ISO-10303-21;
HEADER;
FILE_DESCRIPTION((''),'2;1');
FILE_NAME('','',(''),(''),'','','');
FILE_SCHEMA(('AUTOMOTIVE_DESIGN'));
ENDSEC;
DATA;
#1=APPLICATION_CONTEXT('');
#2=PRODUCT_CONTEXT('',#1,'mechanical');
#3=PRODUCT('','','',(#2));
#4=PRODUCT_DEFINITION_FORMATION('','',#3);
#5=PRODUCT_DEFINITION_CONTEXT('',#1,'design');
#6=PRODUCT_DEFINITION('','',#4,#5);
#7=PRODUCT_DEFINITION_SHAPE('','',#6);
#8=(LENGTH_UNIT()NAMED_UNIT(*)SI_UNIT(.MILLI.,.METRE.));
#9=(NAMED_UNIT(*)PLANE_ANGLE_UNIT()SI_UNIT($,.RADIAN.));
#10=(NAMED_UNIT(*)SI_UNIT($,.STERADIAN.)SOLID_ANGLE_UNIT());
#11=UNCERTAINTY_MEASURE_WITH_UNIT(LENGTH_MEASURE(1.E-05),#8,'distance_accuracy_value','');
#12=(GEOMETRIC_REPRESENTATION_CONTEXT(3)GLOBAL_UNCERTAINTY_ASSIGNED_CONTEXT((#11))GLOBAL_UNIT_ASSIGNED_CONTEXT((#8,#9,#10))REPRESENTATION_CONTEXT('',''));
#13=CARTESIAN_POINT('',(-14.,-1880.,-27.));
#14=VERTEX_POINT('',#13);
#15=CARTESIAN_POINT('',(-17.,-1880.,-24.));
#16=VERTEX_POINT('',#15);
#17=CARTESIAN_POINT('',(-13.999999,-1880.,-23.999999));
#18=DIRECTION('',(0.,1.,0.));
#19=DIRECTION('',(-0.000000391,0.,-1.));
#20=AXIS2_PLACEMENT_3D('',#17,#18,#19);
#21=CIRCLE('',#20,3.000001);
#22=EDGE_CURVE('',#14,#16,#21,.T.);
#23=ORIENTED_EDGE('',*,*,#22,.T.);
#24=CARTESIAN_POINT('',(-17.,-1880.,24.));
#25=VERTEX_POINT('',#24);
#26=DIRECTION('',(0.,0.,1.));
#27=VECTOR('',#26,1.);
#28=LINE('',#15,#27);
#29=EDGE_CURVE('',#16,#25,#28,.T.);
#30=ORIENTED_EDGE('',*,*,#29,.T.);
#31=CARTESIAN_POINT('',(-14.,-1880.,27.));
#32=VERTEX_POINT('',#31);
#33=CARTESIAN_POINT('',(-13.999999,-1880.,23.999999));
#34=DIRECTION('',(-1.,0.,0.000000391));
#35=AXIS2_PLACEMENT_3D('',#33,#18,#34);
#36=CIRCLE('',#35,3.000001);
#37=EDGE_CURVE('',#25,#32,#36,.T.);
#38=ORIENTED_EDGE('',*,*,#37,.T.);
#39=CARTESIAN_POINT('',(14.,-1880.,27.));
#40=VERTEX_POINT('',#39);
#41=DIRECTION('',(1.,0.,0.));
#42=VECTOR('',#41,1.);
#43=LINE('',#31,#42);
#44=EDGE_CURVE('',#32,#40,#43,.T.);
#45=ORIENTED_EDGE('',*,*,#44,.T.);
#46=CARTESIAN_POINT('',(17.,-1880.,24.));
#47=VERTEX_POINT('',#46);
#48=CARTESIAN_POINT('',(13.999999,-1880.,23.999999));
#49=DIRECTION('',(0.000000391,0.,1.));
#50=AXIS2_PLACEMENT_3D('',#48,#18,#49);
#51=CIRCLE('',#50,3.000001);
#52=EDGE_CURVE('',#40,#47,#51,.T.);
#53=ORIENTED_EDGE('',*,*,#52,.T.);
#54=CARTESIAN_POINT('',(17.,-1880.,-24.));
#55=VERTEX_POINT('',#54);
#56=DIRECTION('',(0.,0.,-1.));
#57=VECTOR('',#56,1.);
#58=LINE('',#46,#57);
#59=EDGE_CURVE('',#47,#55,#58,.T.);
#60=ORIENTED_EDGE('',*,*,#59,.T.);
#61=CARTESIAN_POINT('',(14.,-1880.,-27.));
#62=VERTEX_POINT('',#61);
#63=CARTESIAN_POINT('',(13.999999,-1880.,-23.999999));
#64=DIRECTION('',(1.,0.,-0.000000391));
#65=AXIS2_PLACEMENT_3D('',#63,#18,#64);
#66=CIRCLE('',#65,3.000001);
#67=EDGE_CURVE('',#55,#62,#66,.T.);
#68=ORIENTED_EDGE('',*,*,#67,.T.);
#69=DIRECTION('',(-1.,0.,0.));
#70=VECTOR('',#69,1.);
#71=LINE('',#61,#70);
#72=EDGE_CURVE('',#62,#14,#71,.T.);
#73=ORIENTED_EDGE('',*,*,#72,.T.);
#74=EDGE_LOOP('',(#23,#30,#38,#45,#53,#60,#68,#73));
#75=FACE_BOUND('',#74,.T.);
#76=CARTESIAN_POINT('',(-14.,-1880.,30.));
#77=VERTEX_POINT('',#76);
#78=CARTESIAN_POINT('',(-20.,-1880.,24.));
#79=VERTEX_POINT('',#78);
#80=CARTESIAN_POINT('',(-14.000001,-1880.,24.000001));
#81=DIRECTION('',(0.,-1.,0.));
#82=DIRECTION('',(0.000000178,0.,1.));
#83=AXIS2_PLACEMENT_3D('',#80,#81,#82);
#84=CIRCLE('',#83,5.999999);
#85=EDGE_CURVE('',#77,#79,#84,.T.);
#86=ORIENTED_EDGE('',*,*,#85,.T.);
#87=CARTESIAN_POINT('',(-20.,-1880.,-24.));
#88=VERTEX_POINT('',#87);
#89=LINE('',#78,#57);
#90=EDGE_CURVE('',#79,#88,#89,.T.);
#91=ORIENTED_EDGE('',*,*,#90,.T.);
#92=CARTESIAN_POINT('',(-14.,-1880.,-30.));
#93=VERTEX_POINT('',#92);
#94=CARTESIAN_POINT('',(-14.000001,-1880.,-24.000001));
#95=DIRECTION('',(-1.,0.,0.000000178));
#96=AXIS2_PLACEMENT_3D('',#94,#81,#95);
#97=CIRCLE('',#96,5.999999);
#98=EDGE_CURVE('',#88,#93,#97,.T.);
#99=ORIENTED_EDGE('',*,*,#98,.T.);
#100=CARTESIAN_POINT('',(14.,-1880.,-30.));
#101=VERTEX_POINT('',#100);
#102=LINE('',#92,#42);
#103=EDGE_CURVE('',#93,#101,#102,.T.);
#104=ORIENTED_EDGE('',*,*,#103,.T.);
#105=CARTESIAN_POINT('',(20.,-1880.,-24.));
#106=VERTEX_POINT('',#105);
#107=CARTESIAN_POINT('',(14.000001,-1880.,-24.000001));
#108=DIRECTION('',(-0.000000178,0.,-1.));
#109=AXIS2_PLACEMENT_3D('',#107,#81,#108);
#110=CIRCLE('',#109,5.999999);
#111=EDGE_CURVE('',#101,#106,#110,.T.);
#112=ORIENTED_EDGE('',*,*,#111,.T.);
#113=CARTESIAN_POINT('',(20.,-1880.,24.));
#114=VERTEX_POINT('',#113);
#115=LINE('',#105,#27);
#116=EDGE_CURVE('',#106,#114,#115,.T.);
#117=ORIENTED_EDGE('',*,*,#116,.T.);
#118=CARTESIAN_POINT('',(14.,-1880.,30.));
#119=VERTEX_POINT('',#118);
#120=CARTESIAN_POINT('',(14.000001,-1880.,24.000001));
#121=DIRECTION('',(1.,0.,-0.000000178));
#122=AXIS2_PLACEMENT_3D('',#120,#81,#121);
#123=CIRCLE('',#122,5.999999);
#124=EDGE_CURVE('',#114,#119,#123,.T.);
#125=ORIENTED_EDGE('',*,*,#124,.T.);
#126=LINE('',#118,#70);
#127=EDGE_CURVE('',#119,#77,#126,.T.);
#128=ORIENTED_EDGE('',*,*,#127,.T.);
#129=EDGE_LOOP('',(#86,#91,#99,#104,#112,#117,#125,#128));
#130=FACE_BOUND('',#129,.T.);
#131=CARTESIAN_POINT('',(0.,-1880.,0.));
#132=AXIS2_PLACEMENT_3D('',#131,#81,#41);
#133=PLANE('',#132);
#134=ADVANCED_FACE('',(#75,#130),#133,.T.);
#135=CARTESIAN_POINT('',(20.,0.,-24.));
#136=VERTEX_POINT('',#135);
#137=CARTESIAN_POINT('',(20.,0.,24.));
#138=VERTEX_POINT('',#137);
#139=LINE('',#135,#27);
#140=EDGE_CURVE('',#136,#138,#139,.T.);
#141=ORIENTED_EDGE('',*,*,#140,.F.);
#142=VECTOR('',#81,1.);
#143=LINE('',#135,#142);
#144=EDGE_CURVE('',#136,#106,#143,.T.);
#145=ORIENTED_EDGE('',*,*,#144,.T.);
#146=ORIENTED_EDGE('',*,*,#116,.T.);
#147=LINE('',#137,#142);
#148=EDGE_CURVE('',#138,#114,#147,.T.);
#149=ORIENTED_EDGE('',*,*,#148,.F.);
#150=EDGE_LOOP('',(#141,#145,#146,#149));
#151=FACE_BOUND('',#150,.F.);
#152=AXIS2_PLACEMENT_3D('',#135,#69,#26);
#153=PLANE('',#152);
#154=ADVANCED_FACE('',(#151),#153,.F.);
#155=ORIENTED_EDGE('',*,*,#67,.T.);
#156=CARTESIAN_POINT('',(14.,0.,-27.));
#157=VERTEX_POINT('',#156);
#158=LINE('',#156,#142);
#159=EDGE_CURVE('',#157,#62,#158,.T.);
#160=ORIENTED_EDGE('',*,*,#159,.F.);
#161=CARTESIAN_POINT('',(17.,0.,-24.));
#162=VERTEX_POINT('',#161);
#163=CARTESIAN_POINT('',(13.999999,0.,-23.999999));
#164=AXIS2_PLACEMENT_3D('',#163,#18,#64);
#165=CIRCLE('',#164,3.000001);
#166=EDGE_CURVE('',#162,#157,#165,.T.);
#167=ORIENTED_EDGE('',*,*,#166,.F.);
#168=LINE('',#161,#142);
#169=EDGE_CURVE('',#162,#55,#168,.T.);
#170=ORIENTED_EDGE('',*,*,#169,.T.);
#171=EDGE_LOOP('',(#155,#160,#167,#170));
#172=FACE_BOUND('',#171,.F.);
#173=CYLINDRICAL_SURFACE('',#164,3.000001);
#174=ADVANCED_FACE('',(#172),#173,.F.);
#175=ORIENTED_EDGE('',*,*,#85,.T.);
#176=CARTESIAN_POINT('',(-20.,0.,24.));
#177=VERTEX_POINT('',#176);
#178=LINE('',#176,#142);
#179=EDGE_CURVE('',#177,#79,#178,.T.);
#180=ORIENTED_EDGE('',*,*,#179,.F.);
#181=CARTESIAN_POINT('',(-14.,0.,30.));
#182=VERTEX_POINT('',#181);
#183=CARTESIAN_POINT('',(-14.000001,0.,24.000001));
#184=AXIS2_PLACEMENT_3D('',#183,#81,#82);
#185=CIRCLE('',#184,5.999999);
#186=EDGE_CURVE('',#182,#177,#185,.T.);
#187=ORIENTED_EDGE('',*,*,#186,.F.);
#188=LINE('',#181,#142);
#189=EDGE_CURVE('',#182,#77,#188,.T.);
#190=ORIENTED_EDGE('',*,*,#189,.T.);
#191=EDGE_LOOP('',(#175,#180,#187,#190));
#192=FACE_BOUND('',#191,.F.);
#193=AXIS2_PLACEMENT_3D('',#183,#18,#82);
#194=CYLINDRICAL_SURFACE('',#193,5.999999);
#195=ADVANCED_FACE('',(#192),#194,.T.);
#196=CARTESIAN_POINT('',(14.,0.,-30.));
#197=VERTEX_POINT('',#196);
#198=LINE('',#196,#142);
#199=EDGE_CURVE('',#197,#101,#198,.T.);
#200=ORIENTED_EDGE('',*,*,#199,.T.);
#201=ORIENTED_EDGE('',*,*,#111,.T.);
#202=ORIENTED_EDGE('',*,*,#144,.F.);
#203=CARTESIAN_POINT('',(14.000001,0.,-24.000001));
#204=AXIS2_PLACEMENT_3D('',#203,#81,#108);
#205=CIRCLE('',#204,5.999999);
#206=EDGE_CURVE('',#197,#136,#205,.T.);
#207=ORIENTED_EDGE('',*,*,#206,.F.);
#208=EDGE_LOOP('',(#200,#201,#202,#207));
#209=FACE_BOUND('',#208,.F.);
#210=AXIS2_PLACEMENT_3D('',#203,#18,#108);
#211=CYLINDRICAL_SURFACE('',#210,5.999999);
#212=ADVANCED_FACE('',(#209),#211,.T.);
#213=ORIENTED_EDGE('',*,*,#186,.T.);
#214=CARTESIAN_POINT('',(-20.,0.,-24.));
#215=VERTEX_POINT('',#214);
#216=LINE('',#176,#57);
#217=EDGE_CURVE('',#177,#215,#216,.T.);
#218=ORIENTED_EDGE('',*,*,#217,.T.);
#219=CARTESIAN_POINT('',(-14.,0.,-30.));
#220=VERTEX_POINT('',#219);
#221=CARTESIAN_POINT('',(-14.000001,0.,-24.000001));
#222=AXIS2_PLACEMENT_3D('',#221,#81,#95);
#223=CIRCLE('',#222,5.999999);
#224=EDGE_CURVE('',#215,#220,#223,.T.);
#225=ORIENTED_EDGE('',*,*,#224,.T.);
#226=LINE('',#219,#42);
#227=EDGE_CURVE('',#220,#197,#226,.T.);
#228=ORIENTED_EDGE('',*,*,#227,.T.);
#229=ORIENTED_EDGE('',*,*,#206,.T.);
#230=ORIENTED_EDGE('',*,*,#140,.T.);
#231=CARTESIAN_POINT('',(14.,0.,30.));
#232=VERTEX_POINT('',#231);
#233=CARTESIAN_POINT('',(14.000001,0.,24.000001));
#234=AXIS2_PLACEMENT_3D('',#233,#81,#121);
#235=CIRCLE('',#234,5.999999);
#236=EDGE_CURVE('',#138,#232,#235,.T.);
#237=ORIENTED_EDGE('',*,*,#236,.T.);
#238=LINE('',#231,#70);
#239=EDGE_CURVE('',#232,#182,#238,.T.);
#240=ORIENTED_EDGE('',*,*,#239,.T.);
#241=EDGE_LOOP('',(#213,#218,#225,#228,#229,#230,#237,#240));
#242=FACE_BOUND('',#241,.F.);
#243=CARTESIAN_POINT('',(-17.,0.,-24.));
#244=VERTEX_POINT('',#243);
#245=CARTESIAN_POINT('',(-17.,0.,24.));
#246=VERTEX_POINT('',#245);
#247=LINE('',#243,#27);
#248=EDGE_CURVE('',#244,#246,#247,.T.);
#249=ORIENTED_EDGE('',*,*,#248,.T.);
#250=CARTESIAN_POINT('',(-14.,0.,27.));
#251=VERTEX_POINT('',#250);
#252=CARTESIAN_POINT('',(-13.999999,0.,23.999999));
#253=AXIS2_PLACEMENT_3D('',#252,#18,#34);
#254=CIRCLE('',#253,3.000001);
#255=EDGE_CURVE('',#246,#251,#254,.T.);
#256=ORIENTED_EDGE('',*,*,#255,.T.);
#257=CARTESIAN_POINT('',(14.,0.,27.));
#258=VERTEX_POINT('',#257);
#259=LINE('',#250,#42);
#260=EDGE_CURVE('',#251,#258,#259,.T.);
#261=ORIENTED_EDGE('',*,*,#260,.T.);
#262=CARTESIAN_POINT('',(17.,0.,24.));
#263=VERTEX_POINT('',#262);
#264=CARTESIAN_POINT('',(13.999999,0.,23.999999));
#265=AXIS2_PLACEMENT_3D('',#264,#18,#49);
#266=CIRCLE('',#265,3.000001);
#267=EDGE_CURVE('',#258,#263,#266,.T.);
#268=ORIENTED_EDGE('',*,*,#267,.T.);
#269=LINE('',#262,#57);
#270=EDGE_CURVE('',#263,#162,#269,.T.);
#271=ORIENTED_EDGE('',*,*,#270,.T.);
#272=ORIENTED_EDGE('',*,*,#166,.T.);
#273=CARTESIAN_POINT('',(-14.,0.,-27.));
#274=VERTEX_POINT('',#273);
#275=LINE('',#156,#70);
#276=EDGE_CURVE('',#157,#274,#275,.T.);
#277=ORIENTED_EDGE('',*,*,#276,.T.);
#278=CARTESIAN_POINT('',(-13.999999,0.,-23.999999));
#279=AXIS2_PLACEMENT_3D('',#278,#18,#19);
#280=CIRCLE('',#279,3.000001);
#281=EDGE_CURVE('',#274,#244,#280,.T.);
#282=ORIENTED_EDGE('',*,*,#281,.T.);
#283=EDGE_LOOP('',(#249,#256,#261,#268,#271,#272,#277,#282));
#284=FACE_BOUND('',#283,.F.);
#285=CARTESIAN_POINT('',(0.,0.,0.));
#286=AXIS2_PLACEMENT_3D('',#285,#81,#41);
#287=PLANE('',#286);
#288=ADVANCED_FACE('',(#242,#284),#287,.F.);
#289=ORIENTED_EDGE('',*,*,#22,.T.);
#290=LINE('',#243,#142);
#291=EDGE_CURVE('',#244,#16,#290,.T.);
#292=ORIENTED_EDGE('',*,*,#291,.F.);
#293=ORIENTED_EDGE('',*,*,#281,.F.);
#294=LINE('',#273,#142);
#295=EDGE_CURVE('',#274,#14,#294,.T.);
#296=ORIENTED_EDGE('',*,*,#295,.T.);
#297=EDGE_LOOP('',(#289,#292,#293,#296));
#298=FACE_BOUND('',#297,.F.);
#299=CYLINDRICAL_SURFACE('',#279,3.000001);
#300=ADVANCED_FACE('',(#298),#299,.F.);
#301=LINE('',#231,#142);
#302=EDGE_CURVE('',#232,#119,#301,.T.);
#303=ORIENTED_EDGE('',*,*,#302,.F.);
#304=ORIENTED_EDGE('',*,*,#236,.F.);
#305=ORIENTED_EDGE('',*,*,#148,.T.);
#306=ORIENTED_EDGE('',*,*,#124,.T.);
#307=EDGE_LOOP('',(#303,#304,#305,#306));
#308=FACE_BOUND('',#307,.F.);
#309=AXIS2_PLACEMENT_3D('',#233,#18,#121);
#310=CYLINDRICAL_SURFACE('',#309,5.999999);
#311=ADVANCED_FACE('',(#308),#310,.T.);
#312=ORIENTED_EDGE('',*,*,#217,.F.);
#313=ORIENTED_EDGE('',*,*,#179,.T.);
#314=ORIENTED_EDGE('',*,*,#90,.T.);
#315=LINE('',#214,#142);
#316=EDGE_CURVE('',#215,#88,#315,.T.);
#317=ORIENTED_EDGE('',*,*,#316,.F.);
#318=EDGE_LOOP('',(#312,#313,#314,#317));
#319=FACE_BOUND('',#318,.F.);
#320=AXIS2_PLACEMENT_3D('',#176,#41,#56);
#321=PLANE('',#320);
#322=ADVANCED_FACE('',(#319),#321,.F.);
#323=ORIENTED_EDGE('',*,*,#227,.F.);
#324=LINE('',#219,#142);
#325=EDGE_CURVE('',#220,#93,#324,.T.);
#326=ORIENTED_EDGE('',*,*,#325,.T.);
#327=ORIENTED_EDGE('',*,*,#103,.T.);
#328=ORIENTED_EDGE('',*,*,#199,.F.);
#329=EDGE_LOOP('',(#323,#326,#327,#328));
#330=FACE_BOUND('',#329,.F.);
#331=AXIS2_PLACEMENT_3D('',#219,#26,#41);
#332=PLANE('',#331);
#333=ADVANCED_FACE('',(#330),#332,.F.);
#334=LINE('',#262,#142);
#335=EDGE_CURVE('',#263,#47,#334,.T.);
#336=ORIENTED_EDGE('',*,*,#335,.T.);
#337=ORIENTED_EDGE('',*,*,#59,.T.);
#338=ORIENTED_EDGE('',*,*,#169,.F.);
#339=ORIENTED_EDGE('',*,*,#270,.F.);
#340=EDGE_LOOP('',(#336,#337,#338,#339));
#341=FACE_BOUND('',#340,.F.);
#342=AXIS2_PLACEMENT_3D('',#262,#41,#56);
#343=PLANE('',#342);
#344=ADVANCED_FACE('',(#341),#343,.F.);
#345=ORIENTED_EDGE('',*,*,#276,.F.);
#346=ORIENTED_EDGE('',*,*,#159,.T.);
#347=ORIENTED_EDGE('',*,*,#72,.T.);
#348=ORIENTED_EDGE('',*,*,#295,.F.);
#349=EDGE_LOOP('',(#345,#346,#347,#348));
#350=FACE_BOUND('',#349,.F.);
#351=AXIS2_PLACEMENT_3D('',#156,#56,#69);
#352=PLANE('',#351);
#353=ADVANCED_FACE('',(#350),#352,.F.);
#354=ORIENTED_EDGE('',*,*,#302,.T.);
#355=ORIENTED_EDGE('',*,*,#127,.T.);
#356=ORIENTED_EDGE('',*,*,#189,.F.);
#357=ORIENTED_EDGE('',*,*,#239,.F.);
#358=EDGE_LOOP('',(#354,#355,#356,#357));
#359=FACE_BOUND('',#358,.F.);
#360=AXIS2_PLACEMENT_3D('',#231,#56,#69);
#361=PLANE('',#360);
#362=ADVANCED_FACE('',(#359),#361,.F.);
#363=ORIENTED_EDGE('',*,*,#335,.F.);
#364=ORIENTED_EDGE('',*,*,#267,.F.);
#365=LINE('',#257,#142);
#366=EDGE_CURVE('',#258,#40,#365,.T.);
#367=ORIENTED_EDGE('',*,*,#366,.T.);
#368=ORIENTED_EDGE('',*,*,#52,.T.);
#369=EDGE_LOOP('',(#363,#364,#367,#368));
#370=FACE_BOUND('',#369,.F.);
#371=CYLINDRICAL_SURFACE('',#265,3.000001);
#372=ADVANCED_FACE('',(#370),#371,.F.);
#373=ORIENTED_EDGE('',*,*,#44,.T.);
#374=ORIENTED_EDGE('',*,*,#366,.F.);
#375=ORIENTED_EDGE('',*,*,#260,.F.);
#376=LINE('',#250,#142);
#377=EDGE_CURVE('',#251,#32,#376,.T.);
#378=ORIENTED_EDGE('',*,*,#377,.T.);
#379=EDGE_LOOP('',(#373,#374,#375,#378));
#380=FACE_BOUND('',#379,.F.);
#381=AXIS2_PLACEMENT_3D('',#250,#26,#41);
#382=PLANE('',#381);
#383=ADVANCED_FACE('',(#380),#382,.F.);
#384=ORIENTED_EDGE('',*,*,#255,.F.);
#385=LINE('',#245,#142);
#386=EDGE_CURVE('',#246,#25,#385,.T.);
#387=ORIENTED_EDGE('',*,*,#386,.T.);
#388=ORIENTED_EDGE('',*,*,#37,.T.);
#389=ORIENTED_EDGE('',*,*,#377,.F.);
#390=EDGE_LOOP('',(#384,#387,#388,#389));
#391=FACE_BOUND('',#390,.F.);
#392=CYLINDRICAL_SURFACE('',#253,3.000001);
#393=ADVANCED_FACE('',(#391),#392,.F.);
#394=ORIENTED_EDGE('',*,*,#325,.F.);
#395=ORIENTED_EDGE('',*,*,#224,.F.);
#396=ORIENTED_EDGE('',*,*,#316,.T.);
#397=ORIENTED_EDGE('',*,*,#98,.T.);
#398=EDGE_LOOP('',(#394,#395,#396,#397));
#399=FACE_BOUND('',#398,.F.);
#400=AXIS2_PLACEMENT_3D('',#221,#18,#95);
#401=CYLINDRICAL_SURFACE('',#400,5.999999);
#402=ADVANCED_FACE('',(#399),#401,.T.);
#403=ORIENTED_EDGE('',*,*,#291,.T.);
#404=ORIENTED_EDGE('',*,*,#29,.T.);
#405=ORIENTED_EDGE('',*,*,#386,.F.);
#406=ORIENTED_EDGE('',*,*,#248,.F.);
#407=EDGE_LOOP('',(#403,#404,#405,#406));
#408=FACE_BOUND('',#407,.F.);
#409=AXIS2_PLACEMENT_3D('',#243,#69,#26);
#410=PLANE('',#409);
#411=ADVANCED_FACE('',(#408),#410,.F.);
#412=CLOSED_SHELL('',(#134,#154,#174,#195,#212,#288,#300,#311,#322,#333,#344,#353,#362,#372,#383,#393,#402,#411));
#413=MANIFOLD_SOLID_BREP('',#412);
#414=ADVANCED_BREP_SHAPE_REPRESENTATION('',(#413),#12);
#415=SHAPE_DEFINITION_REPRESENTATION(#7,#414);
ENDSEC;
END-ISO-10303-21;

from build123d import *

# Parameters (mm, degrees)
F1_DEPTH = 1880


with BuildPart() as f1:
    # F0 (on Front) → F1 (new body)
    with BuildSketch(Plane.XZ):
        with BuildLine():
            Line((14, 30), (-14, 30))
            ThreePointArc((-14, 30), (-18.242641, 28.242641), (-20, 24))
            Line((-20, 24), (-20, -24))
            ThreePointArc((-20, -24), (-18.242641, -28.242641), (-14, -30))
            Line((-14, -30), (14, -30))
            ThreePointArc((14, -30), (18.242641, -28.242641), (20, -24))
            Line((20, -24), (20, 24))
            ThreePointArc((20, 24), (18.242641, 28.242641), (14, 30))
        make_face()
        with BuildLine():
            Line((-17, -24), (-17, 24))
            ThreePointArc((-17, 24), (-16.12132, 26.12132), (-14, 27))
            Line((-14, 27), (14, 27))
            ThreePointArc((14, 27), (16.12132, 26.12132), (17, 24))
            Line((17, 24), (17, -24))
            ThreePointArc((17, -24), (16.12132, -26.12132), (14, -27))
            Line((14, -27), (-14, -27))
            ThreePointArc((-14, -27), (-16.12132, -26.12132), (-17, -24))
        make_face(mode=Mode.SUBTRACT)
    extrude(amount=F1_DEPTH)


solid = f1.part
